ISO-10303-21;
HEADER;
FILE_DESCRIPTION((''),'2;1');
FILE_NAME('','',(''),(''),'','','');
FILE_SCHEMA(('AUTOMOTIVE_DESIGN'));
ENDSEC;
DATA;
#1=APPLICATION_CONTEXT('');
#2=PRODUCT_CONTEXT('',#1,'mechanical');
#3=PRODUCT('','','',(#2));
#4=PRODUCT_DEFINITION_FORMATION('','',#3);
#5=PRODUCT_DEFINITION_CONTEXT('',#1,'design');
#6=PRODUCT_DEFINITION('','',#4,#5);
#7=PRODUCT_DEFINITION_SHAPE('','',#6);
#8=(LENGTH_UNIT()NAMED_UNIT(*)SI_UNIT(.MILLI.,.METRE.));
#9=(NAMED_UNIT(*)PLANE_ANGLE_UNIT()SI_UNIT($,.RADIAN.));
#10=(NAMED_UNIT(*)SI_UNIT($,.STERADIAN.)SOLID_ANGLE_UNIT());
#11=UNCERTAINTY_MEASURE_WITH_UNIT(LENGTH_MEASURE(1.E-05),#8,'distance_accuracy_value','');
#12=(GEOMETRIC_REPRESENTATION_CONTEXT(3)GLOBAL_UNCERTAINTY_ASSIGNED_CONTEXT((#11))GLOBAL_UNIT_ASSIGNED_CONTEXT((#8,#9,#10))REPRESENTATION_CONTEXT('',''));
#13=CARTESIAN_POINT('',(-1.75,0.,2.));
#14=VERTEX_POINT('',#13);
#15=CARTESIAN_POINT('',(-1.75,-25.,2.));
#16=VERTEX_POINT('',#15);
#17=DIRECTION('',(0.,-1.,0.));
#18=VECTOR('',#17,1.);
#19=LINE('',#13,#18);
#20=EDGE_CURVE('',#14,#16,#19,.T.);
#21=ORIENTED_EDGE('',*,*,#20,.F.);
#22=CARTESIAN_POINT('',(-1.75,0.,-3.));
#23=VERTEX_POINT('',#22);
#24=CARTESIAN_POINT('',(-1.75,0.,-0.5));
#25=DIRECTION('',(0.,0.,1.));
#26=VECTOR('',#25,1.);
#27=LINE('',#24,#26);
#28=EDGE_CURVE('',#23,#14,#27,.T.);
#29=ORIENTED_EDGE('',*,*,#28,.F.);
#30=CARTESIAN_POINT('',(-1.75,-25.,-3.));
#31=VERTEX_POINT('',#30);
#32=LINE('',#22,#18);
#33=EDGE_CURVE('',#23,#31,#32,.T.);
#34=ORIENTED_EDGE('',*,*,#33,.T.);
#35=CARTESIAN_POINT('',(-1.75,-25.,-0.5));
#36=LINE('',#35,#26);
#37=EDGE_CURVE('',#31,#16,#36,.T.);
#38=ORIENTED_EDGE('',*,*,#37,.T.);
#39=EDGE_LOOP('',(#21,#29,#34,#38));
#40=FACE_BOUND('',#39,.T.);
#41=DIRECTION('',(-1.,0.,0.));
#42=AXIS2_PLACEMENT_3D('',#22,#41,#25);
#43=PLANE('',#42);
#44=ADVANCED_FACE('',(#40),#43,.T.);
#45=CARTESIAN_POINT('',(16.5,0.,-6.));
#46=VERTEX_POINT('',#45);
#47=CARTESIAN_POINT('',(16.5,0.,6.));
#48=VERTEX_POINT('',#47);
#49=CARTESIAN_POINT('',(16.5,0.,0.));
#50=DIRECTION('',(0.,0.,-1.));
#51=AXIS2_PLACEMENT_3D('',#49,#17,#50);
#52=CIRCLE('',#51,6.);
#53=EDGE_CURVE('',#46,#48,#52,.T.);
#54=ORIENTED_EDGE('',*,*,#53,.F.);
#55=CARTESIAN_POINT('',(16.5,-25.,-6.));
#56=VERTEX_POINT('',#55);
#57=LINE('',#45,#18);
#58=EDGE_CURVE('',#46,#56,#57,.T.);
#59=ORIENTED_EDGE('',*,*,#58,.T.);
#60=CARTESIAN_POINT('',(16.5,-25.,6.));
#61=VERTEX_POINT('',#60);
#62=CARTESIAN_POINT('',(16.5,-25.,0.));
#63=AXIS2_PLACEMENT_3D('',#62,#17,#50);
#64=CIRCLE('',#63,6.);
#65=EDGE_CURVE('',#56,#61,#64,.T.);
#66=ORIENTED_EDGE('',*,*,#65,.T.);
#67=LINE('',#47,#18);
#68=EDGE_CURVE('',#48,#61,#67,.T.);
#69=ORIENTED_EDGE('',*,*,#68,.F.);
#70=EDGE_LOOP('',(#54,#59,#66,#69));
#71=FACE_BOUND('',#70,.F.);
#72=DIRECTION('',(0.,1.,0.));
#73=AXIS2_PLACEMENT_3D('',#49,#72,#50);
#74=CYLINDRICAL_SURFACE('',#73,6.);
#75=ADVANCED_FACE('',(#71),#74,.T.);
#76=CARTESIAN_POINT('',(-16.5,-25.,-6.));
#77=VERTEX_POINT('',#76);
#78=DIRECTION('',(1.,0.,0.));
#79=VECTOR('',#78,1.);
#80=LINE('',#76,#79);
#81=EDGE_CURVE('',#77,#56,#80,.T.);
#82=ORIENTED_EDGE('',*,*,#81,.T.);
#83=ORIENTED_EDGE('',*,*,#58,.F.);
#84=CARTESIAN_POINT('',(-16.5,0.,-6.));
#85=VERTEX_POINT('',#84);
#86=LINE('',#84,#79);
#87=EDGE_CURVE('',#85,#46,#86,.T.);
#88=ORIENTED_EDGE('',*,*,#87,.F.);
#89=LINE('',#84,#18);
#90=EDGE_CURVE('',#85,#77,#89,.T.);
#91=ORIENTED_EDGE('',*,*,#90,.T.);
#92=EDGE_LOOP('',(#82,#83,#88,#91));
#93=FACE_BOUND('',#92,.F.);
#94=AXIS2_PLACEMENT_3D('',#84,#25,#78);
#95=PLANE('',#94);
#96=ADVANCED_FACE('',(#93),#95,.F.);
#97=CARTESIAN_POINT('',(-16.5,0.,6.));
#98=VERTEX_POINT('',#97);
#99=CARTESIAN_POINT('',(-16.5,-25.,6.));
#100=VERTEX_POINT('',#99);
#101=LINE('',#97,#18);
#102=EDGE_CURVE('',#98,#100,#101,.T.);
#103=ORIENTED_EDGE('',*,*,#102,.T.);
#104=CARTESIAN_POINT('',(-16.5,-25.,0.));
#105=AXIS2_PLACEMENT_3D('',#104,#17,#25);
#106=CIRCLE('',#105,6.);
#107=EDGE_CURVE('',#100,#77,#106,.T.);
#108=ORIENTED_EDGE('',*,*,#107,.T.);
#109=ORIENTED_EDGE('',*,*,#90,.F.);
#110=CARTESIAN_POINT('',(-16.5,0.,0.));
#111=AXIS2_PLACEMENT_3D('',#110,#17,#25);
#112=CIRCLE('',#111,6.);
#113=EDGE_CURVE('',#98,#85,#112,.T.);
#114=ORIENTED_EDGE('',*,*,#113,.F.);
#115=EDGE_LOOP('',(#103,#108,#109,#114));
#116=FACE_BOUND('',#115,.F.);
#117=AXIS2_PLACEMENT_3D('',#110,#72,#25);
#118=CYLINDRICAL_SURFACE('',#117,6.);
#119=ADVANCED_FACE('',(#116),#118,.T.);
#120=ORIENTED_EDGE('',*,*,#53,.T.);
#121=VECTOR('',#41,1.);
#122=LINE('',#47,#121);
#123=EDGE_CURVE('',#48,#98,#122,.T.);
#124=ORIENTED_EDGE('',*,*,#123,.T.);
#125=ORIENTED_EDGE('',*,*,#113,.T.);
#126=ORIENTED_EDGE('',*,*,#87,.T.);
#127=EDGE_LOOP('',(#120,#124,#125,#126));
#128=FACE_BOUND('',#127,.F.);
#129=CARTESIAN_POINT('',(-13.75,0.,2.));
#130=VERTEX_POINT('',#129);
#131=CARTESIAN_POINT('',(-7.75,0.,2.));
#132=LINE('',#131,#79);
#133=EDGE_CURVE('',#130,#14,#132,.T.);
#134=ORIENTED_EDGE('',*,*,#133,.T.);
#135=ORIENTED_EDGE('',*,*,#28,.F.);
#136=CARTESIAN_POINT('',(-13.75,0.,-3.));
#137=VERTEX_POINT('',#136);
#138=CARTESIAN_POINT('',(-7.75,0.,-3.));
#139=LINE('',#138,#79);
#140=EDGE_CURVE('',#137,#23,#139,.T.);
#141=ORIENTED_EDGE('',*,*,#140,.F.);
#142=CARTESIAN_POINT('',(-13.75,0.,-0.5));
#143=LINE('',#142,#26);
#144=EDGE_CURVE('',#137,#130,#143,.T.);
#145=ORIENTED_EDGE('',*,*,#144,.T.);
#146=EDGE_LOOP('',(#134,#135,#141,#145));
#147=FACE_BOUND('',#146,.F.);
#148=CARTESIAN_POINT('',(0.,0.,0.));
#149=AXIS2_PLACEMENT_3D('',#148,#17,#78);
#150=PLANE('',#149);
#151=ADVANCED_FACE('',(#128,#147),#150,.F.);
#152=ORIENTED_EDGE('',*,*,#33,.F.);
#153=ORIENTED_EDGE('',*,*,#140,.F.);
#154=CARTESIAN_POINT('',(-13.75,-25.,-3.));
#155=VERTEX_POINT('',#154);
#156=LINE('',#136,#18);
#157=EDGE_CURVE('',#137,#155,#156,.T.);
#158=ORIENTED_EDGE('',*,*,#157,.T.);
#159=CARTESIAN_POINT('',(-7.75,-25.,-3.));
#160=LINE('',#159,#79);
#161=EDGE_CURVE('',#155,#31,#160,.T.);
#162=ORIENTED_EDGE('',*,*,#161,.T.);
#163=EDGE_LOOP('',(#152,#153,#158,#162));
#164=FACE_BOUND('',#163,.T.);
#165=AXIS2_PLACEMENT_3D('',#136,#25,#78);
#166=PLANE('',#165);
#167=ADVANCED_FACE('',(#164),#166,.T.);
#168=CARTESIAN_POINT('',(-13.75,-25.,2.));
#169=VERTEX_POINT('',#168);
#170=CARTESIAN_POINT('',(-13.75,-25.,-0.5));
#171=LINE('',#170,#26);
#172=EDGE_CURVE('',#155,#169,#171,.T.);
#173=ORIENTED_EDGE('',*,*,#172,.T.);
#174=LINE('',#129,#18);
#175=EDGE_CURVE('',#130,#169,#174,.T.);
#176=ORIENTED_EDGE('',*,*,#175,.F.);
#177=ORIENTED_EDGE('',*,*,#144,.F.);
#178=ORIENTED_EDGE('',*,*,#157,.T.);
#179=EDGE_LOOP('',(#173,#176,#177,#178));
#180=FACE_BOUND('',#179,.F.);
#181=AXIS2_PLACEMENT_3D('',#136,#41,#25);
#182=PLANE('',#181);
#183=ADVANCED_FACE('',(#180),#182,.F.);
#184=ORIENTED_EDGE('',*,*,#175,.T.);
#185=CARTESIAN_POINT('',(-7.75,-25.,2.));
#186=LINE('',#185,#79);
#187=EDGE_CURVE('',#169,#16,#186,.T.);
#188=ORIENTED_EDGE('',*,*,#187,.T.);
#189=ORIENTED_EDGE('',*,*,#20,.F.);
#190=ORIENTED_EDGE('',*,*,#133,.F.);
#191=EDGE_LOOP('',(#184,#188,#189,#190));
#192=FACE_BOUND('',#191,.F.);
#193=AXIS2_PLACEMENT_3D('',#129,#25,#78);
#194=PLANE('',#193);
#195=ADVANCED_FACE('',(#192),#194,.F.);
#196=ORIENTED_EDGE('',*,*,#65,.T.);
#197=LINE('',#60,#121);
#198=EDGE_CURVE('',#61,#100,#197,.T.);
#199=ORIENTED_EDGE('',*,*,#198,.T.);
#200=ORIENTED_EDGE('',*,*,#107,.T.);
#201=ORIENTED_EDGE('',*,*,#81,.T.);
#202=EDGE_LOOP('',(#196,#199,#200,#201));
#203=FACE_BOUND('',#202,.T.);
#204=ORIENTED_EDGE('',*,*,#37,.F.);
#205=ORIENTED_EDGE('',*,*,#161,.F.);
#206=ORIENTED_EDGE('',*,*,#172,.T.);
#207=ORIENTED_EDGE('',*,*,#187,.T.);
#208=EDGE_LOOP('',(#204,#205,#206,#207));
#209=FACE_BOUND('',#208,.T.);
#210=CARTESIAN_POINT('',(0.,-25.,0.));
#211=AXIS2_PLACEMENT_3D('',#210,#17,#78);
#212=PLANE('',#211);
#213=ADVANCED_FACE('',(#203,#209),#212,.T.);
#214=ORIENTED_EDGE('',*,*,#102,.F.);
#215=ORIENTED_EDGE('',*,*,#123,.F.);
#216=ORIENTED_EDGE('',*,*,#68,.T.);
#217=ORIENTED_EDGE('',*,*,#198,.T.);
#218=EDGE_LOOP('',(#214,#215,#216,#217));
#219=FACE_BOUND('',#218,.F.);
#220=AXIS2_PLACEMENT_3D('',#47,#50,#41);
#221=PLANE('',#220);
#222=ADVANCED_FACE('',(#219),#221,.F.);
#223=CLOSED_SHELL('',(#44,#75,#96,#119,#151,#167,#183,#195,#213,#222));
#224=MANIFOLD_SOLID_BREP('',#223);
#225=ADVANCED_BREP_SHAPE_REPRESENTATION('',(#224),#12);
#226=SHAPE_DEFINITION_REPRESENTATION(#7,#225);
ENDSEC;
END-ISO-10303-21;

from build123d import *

# Parameters (mm, degrees)
F0_W     = 12
F0_H     = 5
F1_DEPTH = 25


with BuildPart() as f1:
    # F0 (on Front) → F1 (new body)
    with BuildSketch(Plane.XZ):
        with BuildLine():
            Line((16.5, 6), (0, 6))
            Line((0, 6), (-16.5, 6))
            ThreePointArc((-16.5, 6), (-22.5, 0), (-16.5, -6))
            Line((-16.5, -6), (0, -6))
            Line((0, -6), (16.5, -6))
            ThreePointArc((16.5, -6), (22.5, 0), (16.5, 6))
        make_face()
        with Locations((-7.75, -0.5)):
            Rectangle(F0_W, F0_H, mode=Mode.SUBTRACT)
    extrude(amount=F1_DEPTH)


solid = f1.part
